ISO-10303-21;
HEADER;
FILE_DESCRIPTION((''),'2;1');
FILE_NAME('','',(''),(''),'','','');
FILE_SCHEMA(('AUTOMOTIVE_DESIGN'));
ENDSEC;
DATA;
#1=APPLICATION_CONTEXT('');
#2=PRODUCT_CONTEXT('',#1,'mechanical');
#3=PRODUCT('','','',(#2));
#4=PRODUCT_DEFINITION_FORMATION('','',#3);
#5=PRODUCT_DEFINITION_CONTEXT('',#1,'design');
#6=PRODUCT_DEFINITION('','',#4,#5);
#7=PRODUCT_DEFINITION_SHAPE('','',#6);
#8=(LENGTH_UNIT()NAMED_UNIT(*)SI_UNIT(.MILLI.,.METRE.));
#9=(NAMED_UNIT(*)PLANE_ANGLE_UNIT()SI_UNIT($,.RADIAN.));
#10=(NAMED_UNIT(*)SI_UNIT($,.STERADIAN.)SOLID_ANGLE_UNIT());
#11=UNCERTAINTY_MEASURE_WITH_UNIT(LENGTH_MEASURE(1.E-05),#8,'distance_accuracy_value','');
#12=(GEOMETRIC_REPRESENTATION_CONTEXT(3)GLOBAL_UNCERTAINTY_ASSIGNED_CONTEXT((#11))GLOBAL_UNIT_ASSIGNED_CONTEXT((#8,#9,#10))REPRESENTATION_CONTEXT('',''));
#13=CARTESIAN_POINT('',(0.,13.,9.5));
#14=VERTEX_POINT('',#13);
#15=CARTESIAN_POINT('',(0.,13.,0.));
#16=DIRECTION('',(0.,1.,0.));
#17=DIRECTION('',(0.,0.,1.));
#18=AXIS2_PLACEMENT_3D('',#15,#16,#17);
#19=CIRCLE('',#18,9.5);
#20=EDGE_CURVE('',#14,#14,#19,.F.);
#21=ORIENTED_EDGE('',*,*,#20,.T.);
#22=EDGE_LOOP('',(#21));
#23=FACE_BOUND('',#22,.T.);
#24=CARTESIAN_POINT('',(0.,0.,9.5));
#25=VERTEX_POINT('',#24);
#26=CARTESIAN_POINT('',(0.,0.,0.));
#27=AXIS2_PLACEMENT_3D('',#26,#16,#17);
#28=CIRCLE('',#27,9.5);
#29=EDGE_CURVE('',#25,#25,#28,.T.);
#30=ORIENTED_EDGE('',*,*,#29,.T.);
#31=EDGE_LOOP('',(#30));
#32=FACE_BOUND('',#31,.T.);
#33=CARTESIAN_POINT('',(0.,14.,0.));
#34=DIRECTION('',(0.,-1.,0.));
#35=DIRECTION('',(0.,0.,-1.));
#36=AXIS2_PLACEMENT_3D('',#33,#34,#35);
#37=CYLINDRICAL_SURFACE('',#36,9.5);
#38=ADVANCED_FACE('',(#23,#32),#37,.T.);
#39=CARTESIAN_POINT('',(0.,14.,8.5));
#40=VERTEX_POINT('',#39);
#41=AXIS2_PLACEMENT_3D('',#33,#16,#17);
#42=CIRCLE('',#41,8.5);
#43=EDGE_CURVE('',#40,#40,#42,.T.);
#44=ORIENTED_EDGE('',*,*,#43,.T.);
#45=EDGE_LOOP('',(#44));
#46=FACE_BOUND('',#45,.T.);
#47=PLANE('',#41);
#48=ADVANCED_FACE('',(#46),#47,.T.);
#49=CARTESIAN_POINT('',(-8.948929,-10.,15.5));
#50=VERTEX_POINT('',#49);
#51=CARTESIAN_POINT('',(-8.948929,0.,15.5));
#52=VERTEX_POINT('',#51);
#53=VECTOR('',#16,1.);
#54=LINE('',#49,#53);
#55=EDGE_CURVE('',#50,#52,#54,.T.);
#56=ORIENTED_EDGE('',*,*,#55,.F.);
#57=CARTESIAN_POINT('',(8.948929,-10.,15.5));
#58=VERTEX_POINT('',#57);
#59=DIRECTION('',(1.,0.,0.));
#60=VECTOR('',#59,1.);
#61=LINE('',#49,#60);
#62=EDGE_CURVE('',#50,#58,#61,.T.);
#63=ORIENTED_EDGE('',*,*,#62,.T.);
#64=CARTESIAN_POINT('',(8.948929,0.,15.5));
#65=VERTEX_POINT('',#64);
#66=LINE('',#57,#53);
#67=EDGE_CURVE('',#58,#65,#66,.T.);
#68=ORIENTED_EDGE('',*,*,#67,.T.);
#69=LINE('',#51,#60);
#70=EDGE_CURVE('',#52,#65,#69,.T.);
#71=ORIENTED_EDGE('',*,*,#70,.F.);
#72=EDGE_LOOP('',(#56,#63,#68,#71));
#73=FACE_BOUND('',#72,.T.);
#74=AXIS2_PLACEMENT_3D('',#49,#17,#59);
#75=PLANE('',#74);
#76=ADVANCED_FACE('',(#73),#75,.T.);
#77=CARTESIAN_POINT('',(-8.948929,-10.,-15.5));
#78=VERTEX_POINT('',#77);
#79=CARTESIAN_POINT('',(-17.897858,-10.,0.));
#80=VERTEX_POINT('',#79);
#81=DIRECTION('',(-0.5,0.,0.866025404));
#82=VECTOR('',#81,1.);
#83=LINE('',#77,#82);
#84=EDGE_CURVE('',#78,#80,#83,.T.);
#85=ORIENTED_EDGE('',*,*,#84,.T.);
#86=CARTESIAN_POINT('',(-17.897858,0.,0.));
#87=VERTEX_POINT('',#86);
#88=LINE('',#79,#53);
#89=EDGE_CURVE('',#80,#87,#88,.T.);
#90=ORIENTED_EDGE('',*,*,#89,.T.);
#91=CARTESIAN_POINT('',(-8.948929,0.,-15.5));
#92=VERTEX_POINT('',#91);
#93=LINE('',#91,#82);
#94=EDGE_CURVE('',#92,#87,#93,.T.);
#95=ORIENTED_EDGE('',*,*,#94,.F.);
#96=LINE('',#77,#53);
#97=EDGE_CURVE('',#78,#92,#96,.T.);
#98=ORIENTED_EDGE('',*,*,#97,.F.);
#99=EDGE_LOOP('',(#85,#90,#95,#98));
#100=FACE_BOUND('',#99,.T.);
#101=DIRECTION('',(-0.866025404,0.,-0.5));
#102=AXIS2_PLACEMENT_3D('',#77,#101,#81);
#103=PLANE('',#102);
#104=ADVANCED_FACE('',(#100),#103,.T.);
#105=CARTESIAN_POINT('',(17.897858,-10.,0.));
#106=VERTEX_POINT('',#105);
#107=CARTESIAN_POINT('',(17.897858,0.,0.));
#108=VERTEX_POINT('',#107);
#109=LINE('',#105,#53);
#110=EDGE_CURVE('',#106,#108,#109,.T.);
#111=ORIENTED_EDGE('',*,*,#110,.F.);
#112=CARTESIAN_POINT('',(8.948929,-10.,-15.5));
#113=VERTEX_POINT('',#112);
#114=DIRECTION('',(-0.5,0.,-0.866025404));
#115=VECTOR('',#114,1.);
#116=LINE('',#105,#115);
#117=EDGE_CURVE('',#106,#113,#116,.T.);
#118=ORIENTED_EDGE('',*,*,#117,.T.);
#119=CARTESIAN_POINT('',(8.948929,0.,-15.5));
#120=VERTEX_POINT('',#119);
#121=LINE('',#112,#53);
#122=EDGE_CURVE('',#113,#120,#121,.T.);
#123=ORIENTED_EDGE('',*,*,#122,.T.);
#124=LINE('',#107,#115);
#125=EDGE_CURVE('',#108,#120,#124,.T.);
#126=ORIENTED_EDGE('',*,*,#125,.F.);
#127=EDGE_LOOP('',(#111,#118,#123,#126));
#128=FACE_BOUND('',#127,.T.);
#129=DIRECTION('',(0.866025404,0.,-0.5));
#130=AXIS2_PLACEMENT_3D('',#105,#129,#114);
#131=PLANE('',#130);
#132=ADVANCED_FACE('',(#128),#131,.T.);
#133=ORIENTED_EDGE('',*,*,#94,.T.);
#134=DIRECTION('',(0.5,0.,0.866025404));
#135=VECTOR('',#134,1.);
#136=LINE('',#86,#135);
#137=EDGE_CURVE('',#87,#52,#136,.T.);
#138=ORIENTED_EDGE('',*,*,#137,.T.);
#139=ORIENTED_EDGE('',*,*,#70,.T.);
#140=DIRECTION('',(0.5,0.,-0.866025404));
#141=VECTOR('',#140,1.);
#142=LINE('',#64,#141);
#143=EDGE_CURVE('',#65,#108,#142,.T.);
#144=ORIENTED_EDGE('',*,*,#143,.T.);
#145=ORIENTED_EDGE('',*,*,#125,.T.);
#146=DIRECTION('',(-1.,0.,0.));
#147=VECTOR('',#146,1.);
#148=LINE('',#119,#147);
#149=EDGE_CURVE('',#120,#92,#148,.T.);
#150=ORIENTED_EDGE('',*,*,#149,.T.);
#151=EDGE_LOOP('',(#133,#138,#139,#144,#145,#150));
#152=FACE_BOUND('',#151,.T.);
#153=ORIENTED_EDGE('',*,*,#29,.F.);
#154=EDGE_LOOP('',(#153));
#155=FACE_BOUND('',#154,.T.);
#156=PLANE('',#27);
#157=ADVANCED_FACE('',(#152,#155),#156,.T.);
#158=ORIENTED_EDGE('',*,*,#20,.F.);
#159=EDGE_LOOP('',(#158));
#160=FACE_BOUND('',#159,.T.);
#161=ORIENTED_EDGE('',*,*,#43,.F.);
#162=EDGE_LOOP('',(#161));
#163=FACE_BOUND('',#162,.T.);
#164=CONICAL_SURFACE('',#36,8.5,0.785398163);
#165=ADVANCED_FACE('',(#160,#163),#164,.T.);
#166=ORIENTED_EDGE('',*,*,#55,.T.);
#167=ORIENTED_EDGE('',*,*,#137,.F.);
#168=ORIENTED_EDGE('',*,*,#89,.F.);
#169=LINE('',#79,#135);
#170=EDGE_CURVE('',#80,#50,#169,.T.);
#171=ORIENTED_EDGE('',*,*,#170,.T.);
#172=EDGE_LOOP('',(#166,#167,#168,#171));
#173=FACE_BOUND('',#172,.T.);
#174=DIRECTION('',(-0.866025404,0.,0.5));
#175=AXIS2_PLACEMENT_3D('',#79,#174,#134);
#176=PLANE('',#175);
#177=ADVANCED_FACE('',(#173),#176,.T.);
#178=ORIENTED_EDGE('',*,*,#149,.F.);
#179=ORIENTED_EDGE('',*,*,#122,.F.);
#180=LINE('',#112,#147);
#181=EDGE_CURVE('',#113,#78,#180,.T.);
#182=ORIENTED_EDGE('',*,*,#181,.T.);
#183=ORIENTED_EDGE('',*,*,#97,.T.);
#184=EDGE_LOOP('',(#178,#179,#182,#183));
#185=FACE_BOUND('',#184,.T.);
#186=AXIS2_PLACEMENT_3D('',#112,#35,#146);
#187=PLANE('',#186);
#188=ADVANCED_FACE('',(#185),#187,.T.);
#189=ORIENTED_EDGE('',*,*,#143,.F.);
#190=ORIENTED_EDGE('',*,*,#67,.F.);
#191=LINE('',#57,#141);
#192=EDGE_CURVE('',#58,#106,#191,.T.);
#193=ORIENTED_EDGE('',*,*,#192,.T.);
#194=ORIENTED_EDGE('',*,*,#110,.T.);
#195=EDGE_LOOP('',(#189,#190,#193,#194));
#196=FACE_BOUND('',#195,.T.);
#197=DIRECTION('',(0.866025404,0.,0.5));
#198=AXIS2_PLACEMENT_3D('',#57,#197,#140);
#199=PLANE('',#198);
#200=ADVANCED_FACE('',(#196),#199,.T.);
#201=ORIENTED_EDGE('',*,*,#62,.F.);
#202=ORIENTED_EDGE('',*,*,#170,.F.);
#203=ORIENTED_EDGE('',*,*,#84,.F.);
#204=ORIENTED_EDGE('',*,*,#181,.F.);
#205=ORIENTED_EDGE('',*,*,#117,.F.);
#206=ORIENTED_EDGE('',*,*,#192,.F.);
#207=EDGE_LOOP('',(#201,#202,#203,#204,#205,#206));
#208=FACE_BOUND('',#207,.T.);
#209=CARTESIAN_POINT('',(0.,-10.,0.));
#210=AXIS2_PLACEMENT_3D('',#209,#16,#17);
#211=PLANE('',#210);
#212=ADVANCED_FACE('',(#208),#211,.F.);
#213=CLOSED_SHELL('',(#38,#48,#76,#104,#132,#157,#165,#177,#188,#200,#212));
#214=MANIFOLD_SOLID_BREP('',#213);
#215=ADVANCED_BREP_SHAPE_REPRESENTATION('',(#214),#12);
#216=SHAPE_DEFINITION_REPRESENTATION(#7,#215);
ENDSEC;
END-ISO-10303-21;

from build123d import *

# Parameters (mm, degrees)
BOSS_EXTRUDE1_DEPTH = 10
SKETCH2_R           = 9.5
BOSS_EXTRUDE2_DEPTH = 14
CHAMFER1_SIZE       = 1


with BuildPart() as part:
    # Sketch1 → Boss-Extrude1 (new body)
    with BuildSketch(Plane(origin=(0, 0, 0), x_dir=(1, 0, 0), z_dir=(0, 1, 0))):
        Polygon((-17.897858345, 0), (-8.948929172, -15.5), (8.948929172, -15.5), (17.897858345, 0), (8.948929172, 15.5), (-8.948929172, 15.5), align=None)
    extrude(amount=-BOSS_EXTRUDE1_DEPTH)

    # Sketch2 → Boss-Extrude2 (add)
    with BuildSketch(Plane(origin=(0, 0, 0), x_dir=(1, 0, 0), z_dir=(0, 1, 0))):
        with Locations(Location((0, 0, 0), (0, 0, 270))):
            Circle(SKETCH2_R)
    extrude(amount=BOSS_EXTRUDE2_DEPTH)

    # Chamfer1
    chamfer1_edges = [part.edges().sort_by_distance(p)[0] for p in [
        (0, 14, -9.5),
    ]]
    chamfer(chamfer1_edges, length=CHAMFER1_SIZE)


solid = part.part
